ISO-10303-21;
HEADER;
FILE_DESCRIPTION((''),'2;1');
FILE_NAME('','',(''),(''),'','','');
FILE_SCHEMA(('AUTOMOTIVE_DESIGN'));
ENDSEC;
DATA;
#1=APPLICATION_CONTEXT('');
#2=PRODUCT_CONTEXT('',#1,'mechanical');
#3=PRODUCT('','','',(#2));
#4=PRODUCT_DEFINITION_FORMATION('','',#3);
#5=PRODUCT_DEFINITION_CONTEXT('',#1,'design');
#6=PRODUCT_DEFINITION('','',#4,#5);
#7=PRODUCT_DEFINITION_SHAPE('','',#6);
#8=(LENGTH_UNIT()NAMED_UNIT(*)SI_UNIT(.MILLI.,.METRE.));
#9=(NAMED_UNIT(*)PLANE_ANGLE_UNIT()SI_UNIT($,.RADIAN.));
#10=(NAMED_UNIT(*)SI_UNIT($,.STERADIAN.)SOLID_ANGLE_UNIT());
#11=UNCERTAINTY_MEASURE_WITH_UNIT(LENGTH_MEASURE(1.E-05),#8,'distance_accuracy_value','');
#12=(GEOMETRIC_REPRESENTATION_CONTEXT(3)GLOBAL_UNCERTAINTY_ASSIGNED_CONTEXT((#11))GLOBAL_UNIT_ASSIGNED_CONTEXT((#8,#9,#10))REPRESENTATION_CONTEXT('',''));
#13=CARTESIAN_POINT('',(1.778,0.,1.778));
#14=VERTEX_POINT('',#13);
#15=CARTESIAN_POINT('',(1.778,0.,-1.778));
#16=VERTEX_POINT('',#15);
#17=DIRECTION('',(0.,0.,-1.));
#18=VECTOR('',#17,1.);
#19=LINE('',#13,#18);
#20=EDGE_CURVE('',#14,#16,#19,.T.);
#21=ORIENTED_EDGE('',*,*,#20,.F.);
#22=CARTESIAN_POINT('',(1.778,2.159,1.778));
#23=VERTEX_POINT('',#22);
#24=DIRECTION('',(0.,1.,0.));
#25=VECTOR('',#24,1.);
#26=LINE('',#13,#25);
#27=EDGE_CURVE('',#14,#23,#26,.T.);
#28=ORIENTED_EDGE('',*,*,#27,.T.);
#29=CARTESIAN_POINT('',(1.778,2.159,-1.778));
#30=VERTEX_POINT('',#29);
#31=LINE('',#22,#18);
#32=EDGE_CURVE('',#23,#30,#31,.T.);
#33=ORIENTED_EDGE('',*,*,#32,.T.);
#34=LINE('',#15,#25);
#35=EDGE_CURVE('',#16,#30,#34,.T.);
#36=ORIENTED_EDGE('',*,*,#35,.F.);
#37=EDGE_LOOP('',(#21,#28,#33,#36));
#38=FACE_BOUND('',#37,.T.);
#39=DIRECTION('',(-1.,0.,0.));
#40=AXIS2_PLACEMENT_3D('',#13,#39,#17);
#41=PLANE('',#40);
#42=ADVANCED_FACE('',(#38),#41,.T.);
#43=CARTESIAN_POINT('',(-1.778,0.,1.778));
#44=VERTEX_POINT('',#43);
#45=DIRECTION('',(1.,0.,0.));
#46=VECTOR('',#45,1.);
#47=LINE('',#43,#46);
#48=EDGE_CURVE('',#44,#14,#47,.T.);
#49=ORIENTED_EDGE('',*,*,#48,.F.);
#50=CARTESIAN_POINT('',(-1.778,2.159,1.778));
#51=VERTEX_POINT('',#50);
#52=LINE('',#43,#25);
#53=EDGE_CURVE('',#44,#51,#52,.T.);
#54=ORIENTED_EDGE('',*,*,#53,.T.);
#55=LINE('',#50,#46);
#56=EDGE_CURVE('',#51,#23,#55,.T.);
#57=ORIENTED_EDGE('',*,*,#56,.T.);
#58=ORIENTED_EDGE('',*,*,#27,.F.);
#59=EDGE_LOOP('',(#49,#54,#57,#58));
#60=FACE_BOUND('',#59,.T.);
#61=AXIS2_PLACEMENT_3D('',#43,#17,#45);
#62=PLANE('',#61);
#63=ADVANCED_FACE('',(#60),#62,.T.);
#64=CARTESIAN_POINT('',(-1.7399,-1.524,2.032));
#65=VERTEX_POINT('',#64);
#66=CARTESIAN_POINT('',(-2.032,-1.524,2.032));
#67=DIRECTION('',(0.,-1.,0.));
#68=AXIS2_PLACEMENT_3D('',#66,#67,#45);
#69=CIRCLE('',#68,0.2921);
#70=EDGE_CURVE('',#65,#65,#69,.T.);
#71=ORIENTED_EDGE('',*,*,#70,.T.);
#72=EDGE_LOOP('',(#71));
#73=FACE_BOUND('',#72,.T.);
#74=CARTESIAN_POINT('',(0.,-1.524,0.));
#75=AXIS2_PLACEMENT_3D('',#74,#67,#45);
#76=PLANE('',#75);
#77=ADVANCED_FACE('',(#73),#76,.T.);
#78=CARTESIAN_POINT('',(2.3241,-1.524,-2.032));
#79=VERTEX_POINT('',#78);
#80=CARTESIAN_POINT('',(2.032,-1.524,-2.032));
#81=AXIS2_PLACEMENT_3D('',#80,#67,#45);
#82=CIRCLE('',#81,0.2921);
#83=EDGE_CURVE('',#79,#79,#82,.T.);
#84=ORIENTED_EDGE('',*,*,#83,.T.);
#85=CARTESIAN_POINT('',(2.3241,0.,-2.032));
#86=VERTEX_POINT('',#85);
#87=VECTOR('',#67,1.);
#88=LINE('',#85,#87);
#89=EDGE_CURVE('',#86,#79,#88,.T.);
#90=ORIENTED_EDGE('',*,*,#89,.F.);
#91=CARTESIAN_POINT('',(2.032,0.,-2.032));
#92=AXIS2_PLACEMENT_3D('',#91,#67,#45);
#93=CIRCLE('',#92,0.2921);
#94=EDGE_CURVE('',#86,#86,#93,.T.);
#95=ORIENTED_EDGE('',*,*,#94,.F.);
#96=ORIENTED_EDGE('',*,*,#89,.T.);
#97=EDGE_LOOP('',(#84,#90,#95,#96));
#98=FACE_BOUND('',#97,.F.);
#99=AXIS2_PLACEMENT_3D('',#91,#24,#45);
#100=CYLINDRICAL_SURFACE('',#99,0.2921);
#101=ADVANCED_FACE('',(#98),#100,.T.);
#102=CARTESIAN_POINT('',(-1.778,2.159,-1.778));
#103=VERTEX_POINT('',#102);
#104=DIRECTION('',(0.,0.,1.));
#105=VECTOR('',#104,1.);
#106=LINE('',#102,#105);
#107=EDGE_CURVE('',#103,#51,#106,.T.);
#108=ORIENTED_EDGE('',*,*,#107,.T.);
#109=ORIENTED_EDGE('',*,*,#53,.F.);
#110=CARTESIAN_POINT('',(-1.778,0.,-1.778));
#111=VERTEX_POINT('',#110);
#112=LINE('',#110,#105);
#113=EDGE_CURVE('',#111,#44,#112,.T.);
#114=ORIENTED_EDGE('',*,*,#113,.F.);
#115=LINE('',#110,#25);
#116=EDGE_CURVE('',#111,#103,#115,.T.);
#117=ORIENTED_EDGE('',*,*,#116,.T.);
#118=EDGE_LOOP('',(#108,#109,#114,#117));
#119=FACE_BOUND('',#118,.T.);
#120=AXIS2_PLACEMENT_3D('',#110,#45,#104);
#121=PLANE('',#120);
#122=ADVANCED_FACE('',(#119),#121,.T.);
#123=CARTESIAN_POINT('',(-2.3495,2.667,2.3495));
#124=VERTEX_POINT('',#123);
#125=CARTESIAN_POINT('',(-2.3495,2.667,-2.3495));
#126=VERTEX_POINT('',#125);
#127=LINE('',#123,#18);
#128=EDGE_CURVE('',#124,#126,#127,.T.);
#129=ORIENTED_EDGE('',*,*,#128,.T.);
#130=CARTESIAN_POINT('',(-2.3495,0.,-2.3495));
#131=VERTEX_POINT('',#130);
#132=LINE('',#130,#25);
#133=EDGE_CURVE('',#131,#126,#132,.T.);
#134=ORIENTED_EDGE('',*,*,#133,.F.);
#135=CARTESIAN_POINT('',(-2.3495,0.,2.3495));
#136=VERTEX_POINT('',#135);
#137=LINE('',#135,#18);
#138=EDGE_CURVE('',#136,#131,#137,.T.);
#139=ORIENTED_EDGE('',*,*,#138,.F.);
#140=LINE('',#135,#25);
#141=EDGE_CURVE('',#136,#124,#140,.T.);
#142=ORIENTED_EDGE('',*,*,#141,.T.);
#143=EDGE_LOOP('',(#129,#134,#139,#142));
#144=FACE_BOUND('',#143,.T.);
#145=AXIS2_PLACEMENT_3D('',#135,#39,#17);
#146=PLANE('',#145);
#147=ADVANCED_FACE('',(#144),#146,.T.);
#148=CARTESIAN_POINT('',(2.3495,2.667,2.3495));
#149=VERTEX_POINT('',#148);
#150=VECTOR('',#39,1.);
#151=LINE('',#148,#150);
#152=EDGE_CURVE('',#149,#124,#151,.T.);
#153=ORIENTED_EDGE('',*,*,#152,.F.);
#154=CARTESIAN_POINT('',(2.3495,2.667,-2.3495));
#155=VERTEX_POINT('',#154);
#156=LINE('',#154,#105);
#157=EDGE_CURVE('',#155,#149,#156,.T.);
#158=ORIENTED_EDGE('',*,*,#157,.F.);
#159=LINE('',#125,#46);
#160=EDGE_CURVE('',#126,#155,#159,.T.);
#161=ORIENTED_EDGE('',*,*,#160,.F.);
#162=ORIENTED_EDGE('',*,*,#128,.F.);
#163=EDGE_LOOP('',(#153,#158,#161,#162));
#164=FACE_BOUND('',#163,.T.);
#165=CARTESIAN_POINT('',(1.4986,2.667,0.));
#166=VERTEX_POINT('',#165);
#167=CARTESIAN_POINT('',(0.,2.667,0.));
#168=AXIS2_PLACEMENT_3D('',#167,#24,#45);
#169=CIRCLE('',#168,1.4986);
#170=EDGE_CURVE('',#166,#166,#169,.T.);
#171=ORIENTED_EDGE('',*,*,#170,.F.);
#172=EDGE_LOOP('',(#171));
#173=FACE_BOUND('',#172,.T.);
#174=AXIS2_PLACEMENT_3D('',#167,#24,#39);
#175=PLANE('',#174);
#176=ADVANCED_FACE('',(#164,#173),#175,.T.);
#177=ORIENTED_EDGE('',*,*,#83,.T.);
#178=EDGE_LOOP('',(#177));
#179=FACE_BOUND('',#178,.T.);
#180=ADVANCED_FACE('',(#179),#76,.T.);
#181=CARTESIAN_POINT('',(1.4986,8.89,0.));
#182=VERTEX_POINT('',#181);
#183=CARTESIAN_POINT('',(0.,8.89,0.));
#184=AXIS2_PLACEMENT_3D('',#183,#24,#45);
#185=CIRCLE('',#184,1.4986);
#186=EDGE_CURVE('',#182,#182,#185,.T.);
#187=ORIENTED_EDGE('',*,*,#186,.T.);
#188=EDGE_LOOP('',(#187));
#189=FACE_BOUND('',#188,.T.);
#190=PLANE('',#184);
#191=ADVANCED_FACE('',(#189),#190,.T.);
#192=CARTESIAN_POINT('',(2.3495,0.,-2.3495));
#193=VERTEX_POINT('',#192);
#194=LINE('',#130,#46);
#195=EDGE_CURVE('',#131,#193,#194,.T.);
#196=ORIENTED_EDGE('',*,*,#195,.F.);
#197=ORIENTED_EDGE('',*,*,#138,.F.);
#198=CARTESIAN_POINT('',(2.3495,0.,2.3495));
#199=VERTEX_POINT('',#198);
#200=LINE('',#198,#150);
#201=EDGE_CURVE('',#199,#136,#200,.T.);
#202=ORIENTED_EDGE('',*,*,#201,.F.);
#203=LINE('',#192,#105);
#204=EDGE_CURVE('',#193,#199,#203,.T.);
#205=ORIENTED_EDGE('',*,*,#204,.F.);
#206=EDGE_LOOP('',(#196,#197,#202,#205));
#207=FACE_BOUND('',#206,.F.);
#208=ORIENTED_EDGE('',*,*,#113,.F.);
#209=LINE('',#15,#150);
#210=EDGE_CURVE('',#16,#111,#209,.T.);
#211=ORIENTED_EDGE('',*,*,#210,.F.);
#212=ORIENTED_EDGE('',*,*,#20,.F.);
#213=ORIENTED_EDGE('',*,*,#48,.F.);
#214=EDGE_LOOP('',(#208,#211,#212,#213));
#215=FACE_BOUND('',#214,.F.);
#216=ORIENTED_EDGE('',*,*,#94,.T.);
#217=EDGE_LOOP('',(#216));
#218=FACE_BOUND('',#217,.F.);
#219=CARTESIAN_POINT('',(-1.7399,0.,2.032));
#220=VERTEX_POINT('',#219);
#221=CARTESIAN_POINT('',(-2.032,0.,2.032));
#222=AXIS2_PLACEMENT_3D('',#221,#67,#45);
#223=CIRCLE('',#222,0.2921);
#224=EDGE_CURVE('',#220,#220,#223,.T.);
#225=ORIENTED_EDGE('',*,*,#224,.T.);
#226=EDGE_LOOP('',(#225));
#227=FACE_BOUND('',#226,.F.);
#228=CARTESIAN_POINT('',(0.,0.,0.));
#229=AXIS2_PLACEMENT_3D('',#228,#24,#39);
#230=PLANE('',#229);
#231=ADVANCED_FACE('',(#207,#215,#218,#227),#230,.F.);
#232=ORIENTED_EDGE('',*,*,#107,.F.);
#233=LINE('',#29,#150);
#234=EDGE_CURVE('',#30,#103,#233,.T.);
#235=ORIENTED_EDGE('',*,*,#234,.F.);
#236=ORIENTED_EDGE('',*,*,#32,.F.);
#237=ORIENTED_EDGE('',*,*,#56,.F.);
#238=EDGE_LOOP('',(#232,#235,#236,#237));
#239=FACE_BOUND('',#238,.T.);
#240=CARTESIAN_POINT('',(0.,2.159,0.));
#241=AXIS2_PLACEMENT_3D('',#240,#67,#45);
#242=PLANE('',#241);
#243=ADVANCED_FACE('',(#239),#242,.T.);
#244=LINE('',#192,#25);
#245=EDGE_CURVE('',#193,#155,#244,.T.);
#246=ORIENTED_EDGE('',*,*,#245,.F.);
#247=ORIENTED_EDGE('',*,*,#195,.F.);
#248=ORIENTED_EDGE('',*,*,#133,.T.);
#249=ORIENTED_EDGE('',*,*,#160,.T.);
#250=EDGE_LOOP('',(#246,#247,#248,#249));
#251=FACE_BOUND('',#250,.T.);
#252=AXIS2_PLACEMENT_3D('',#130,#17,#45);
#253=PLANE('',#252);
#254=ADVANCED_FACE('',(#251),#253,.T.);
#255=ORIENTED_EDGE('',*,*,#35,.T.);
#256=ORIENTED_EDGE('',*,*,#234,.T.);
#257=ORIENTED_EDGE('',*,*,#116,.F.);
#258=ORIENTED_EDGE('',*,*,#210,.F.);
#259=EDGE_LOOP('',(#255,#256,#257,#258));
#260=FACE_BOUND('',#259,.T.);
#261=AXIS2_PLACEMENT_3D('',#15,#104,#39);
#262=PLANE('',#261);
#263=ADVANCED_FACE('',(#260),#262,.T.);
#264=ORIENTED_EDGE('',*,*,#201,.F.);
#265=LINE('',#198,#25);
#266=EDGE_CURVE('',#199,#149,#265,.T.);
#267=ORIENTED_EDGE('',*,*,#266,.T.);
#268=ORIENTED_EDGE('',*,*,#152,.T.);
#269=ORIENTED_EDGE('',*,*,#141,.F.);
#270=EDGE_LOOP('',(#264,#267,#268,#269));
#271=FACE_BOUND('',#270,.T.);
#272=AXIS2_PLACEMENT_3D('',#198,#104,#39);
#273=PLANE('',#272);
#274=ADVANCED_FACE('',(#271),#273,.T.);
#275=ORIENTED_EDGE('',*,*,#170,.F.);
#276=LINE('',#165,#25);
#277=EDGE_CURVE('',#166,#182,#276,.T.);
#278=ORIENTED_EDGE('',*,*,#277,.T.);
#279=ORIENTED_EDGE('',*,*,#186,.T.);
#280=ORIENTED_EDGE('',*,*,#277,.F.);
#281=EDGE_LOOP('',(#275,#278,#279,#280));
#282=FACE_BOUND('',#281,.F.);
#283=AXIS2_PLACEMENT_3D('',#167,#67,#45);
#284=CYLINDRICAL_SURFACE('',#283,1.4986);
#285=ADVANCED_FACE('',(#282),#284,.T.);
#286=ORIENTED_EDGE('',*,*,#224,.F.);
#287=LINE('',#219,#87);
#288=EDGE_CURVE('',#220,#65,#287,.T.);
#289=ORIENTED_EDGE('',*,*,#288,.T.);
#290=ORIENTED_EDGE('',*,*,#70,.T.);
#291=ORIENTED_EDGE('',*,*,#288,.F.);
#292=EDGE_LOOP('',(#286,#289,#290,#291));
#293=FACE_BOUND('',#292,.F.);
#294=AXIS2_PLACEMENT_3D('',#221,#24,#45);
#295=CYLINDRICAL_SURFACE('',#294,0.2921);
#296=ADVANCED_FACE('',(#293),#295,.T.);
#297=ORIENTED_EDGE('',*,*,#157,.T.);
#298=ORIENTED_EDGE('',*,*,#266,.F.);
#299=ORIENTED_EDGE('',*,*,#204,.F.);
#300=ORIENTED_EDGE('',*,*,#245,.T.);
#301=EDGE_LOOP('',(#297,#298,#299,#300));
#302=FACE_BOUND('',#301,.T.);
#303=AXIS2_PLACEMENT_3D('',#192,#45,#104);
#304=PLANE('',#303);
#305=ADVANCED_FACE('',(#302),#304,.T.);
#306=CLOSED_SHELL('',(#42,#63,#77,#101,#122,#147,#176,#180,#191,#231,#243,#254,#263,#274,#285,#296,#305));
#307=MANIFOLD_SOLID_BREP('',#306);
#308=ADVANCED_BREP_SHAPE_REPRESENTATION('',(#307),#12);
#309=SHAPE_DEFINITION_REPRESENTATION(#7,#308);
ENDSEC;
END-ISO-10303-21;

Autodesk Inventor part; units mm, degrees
ref_plane "YZ Plane" through (0, 0, 0) normal (1, 0, 0) x (0, 1, 0)
ref_plane "XZ Plane" through (0, 0, 0) normal (0, 1, 0) x (-1, 0, 0)
ref_plane "XY Plane" through (0, 0, 0) normal (0, 0, 1) x (1, 0, 0)
sketch "Sketch1" plane through (0, 0, 0) normal (0, 1, 0) x (-1, 0, 0)
  line L0 (-2.3495, 2.3495) -> (2.3495, 2.3495)
  line L1 (2.3495, 2.3495) -> (2.3495, -2.3495)
  line L2 (2.3495, -2.3495) -> (-2.3495, -2.3495)
  line L3 (-2.3495, -2.3495) -> (-2.3495, 2.3495)
  line L4 (-2.3495, 2.3495) -> (2.3495, -2.3495) construction
  line L5 (2.3495, 2.3495) -> (-2.3495, -2.3495) construction
  point P0 (0, 0)
  dimension "d0" = 4.699
  dimension "width" = 4.699
extrude "Extrusion1" add sketch "Sketch1" along normal blind 2.667
sketch "Sketch2" plane through (0, 2.667, 0) normal (0, 1, 0) x (1, 0, 0)
  circle A0 centre (0, 0) radius 1.4986
  dimension "d4" = 2.9972
extrude "Extrusion2" add sketch "Sketch2" along normal blind 6.223
sketch "Sketch3" plane through (0, 0, 0) normal (0, -1, 0) x (1, 0, 0)
  line L0 (-1.778, 1.778) -> (1.778, 1.778)
  line L1 (1.778, 1.778) -> (1.778, -1.778)
  line L2 (1.778, -1.778) -> (-1.778, -1.778)
  line L3 (-1.778, -1.778) -> (-1.778, 1.778)
  line L4 (-1.778, 1.778) -> (1.778, -1.778) construction
  line L5 (1.778, 1.778) -> (-1.778, -1.778) construction
  point P0 (0, 0)
  dimension "d7" = 3.556
  dimension "d8" = 3.556
extrude "Extrusion3" cut sketch "Sketch3" against normal blind 2.159
sketch "Sketch4" plane through (0, 0, 0) normal (0, -1, 0) x (1, 0, 0)
  circle A0 centre (-2.032, 2.032) radius 0.2921
  circle A1 centre (2.032, -2.032) radius 0.2921
  point P0 (0, 0)
  point P1 (0, 0)
  dimension "d11" = 0.5842
  dimension "d12" = 2.032
  dimension "d13" = 2.032
  dimension "d16" = 360
extrude "Extrusion4" add sketch "Sketch4" along normal blind 1.524
equation "\"d0\" = width"
properties part number "VLP-350-F" material "Polycarbonate, Clear"
